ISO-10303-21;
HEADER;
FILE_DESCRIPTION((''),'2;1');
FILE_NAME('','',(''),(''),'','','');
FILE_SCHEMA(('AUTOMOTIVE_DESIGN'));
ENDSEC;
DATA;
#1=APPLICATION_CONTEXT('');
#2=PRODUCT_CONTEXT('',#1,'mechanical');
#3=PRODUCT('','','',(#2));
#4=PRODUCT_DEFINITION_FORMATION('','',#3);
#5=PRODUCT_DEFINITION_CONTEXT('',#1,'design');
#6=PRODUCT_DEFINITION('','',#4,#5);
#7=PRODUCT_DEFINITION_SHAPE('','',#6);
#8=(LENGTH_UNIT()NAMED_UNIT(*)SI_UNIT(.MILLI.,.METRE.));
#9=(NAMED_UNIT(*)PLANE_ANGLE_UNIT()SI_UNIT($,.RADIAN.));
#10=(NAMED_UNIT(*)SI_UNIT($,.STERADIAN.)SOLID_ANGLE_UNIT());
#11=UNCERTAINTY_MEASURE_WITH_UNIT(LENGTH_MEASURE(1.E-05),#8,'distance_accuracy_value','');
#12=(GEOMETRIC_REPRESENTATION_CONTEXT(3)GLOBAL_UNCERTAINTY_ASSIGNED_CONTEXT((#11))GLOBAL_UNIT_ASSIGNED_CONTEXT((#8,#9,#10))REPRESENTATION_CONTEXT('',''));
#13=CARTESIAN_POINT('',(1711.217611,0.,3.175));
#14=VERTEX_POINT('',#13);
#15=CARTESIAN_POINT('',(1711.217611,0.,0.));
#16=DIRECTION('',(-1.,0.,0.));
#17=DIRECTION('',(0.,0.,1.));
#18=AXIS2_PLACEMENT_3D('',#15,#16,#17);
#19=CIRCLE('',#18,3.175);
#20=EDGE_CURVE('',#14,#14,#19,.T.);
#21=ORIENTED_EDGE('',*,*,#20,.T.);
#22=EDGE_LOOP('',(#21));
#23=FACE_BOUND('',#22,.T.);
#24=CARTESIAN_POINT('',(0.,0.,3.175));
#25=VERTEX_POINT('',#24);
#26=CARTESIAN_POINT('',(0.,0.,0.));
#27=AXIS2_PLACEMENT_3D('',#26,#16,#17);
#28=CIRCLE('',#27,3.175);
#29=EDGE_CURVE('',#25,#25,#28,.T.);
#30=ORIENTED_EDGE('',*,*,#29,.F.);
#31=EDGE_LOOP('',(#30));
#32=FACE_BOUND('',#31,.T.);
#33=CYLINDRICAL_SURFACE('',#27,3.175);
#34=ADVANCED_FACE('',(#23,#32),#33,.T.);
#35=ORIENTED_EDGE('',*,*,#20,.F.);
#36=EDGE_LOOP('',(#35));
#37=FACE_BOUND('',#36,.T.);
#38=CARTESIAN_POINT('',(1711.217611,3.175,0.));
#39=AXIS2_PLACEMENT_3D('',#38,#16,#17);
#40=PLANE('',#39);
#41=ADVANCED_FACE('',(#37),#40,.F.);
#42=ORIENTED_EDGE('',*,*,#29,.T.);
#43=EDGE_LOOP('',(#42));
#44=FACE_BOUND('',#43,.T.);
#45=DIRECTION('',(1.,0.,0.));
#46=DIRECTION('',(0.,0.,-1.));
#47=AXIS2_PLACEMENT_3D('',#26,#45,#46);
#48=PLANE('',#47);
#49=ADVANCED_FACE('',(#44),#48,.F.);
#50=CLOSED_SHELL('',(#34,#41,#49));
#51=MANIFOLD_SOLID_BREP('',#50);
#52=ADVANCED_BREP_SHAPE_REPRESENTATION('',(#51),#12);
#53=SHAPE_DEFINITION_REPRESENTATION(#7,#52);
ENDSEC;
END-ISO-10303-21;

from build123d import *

# Parameters (mm, degrees)
SKETCH1_W = 1711.217611328
SKETCH1_H = 3.175


with BuildPart() as part:
    # Sketch1 → Revolve1 (revolve)
    with BuildSketch(Plane.XY, mode=Mode.PRIVATE) as revolve1_sk:
        with Locations((855.608805664, 1.5875)):
            Rectangle(SKETCH1_W, SKETCH1_H)
    revolve(revolve1_sk.sketch.rotate(Axis((0, 0, 0), (1, 0, 0)), 90), axis=Axis((0, 0, 0), (1, 0, 0)))


solid = part.part
